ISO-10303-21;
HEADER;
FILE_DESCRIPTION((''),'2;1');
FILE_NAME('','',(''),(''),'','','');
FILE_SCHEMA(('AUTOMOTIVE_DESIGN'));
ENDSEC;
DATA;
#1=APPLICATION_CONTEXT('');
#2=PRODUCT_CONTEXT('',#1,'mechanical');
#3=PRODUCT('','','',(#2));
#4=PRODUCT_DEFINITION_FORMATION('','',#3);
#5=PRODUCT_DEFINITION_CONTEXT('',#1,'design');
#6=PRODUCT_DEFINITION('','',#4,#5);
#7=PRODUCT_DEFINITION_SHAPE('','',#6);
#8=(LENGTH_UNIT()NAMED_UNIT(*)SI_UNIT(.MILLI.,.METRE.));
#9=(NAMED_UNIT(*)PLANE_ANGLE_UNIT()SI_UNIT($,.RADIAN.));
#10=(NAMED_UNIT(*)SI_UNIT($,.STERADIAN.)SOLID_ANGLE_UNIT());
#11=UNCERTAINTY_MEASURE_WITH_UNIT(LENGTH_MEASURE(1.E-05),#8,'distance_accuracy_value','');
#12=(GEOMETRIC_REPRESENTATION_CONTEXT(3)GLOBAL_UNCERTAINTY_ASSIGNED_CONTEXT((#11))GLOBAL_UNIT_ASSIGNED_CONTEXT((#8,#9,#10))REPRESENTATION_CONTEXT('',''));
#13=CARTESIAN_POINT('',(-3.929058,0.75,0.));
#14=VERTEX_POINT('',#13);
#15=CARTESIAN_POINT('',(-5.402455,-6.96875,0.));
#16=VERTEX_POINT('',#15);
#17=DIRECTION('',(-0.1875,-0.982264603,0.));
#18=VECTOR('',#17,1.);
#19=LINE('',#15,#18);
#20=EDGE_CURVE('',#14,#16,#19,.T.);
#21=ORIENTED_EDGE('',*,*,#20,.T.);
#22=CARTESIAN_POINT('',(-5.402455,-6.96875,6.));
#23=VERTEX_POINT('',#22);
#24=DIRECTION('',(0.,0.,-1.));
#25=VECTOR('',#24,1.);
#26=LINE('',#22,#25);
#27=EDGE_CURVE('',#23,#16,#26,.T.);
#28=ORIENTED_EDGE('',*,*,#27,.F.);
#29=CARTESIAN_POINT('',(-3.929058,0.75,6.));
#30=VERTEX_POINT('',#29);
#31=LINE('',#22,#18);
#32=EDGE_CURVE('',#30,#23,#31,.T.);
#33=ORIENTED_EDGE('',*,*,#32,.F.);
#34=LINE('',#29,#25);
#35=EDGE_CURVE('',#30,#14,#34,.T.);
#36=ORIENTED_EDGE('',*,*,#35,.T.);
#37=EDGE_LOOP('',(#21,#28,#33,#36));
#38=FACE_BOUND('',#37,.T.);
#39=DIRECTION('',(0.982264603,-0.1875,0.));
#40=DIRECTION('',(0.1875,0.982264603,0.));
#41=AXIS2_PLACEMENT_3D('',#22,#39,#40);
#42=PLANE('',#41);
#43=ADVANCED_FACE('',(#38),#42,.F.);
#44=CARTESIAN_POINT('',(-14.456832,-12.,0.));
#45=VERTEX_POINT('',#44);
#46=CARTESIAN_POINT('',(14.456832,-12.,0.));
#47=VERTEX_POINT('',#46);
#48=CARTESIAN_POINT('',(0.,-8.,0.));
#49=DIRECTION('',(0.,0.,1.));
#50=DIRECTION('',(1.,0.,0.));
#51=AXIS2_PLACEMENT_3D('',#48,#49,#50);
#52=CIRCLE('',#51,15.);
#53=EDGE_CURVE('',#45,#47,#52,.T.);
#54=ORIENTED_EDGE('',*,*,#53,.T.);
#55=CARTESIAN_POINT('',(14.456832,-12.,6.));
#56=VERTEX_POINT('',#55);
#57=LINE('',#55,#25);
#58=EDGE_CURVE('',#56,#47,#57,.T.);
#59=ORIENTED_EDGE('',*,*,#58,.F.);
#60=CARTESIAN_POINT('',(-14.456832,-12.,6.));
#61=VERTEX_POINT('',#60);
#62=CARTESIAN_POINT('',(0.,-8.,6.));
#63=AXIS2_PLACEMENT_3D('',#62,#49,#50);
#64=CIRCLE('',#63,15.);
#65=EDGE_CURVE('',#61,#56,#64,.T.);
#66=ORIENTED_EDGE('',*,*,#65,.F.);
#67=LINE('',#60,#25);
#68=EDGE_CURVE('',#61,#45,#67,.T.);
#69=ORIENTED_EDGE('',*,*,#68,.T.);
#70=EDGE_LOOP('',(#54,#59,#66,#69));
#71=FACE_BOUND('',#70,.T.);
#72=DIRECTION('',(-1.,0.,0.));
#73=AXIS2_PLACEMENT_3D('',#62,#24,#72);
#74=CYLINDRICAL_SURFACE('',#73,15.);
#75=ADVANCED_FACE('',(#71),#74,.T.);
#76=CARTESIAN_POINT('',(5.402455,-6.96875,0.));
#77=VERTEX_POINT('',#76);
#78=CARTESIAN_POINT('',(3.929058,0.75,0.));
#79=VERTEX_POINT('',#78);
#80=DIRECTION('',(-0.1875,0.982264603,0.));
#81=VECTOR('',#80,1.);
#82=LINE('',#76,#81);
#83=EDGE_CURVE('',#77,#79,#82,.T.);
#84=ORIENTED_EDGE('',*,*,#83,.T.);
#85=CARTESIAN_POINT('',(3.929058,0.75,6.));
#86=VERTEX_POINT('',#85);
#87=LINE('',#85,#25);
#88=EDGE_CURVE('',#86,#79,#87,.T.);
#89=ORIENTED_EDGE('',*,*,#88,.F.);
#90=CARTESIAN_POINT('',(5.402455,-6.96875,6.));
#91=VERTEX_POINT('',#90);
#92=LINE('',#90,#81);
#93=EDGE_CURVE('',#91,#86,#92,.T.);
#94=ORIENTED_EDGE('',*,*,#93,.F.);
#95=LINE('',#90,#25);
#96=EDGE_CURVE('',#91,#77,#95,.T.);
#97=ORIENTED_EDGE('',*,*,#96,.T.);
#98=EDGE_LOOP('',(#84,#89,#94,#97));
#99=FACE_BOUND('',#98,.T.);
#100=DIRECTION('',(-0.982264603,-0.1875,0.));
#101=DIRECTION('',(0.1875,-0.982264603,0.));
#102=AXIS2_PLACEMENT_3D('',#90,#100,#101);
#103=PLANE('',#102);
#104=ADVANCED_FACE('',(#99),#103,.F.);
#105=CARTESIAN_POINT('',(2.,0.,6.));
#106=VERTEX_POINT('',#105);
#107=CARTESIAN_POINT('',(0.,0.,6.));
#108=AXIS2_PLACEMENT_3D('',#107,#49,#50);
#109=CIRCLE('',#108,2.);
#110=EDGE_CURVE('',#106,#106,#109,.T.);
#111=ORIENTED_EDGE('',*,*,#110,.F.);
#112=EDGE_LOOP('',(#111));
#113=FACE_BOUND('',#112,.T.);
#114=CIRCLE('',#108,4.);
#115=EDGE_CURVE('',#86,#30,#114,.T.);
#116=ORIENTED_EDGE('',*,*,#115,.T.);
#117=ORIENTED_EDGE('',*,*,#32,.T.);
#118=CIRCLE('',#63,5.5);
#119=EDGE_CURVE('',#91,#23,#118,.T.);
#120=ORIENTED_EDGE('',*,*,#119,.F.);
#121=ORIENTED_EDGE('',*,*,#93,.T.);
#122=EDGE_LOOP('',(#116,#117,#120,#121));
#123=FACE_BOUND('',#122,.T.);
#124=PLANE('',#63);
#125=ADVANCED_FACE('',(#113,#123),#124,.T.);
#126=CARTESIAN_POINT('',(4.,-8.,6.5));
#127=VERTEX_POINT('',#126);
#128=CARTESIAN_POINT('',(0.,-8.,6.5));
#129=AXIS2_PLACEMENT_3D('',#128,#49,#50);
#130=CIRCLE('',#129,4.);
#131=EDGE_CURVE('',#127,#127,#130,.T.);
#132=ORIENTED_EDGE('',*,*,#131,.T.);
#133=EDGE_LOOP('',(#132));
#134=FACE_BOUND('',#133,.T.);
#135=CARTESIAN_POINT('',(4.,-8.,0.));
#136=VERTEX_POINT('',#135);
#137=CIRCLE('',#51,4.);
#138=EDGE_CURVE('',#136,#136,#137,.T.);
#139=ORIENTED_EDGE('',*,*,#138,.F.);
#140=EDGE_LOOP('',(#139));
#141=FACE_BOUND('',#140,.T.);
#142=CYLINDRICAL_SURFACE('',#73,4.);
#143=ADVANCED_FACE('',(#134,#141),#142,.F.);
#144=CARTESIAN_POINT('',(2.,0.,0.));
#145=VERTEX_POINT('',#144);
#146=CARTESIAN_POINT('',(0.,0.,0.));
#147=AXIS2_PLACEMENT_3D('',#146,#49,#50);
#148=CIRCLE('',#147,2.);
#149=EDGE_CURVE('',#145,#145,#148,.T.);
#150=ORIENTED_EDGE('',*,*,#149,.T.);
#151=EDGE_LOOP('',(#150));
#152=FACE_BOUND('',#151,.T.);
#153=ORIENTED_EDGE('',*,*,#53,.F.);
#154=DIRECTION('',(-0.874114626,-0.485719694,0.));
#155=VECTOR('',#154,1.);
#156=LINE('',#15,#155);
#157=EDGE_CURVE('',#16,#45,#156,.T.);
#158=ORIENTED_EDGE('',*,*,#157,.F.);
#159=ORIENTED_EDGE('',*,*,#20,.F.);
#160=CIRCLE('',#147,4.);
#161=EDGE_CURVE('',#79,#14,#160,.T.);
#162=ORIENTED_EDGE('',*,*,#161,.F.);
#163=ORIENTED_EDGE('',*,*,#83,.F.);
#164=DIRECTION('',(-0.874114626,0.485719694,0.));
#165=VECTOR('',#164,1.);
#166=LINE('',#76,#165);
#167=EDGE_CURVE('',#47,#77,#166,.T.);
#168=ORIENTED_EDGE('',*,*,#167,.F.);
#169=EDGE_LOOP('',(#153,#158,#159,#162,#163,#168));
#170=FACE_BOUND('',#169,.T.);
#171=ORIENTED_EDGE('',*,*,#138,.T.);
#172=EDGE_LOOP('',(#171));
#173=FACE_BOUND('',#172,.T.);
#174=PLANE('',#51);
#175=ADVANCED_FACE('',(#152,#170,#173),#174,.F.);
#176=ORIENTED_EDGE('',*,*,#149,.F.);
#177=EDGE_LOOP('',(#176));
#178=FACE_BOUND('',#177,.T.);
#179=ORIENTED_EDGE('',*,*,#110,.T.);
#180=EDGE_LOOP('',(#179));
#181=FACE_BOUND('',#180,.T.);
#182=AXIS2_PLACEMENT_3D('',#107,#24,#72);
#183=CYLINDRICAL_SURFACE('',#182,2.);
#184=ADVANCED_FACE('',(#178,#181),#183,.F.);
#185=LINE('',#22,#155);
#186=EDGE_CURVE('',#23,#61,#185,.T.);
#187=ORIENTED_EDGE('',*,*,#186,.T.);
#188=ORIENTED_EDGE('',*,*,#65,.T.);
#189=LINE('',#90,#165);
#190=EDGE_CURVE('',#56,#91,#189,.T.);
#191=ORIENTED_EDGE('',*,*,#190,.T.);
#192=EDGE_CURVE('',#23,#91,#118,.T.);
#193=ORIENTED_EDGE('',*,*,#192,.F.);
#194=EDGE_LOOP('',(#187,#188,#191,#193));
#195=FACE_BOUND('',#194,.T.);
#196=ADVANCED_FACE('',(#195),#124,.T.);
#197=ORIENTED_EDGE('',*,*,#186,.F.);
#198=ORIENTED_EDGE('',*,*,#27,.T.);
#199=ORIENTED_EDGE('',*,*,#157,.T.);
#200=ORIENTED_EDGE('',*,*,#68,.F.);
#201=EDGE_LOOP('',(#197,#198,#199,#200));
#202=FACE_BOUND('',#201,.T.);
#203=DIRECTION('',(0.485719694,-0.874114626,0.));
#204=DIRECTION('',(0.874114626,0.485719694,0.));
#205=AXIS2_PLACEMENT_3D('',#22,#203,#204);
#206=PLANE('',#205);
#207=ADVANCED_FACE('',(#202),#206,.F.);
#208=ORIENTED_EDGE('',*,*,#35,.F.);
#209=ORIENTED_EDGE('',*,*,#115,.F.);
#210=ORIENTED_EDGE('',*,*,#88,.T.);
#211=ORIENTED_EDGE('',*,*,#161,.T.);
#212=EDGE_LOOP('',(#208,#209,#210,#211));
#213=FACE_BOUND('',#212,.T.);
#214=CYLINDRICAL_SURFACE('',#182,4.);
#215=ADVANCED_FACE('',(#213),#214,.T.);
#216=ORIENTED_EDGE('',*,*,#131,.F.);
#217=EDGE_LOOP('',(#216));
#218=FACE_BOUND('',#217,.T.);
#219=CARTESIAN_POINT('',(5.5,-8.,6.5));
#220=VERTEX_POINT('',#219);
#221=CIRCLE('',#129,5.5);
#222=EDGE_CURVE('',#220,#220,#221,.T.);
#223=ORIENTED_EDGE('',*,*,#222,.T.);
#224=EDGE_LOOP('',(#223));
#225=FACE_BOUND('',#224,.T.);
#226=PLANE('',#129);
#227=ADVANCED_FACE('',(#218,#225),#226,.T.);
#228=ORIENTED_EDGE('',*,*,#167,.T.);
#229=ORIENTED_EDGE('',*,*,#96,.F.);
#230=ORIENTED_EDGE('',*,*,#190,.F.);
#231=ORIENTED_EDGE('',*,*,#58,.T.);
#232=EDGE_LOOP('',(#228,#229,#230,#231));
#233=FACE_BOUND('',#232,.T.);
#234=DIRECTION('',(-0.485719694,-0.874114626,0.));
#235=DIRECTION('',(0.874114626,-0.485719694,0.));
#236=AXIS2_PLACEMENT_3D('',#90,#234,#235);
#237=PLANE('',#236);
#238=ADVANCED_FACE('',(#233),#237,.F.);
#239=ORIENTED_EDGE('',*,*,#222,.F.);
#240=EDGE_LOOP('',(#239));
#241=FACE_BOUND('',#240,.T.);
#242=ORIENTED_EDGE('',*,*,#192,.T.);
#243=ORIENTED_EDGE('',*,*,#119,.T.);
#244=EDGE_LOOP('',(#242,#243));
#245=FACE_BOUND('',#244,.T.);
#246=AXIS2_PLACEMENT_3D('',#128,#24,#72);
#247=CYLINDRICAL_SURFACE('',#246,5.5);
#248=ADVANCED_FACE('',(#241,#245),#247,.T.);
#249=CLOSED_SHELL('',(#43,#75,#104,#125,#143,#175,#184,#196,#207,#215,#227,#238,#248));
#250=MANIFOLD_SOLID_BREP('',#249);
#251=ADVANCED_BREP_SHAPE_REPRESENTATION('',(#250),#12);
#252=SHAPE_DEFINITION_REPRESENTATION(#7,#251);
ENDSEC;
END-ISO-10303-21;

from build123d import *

# Parameters (mm, degrees)
SKETCH1_R           = 2
SKETCH1_R_2         = 4
BOSS_EXTRUDE1_DEPTH = 6
SKETCH2_R           = 5.5
BOSS_EXTRUDE2_DEPTH = 0.5
CUT_EXTRUDE1_START  = -10.5
SKETCH3_R           = 4
CUT_EXTRUDE1_DEPTH  = 10.5


with BuildPart() as part:
    # Sketch1 → Boss-Extrude1 (new body)
    with BuildSketch(Plane.XY):
        with BuildLine():
            Line((-5.402455316, -6.96875), (-3.929058411, 0.75))
            ThreePointArc((-3.929058411, 0.75), (0, 4), (3.929058411, 0.75))
            Line((3.929058411, 0.75), (5.402455316, -6.96875))
            Line((5.402455316, -6.96875), (14.456832295, -12))
            ThreePointArc((14.456832295, -12), (0, -23), (-14.456832295, -12))
            Line((-14.456832295, -12), (-5.402455316, -6.96875))
        make_face()
        Circle(SKETCH1_R, mode=Mode.SUBTRACT)
        with Locations((0, -8)):
            Circle(SKETCH1_R_2, mode=Mode.SUBTRACT)
    extrude(amount=BOSS_EXTRUDE1_DEPTH)

    # Sketch2 → Boss-Extrude2 (add)
    with BuildSketch(Plane.XY.offset(6)):
        with Locations(Location((0, -8, 0), (0, 0, 169.193077125))):
            Circle(SKETCH2_R)
    extrude(amount=BOSS_EXTRUDE2_DEPTH)

    # Sketch3 → Cut-Extrude1 (cut)
    with BuildSketch(Plane.XY.offset(6.5).offset(CUT_EXTRUDE1_START)):
        with Locations((0, -8)):
            Circle(SKETCH3_R)
    extrude(amount=CUT_EXTRUDE1_DEPTH, mode=Mode.SUBTRACT)


solid = part.part
